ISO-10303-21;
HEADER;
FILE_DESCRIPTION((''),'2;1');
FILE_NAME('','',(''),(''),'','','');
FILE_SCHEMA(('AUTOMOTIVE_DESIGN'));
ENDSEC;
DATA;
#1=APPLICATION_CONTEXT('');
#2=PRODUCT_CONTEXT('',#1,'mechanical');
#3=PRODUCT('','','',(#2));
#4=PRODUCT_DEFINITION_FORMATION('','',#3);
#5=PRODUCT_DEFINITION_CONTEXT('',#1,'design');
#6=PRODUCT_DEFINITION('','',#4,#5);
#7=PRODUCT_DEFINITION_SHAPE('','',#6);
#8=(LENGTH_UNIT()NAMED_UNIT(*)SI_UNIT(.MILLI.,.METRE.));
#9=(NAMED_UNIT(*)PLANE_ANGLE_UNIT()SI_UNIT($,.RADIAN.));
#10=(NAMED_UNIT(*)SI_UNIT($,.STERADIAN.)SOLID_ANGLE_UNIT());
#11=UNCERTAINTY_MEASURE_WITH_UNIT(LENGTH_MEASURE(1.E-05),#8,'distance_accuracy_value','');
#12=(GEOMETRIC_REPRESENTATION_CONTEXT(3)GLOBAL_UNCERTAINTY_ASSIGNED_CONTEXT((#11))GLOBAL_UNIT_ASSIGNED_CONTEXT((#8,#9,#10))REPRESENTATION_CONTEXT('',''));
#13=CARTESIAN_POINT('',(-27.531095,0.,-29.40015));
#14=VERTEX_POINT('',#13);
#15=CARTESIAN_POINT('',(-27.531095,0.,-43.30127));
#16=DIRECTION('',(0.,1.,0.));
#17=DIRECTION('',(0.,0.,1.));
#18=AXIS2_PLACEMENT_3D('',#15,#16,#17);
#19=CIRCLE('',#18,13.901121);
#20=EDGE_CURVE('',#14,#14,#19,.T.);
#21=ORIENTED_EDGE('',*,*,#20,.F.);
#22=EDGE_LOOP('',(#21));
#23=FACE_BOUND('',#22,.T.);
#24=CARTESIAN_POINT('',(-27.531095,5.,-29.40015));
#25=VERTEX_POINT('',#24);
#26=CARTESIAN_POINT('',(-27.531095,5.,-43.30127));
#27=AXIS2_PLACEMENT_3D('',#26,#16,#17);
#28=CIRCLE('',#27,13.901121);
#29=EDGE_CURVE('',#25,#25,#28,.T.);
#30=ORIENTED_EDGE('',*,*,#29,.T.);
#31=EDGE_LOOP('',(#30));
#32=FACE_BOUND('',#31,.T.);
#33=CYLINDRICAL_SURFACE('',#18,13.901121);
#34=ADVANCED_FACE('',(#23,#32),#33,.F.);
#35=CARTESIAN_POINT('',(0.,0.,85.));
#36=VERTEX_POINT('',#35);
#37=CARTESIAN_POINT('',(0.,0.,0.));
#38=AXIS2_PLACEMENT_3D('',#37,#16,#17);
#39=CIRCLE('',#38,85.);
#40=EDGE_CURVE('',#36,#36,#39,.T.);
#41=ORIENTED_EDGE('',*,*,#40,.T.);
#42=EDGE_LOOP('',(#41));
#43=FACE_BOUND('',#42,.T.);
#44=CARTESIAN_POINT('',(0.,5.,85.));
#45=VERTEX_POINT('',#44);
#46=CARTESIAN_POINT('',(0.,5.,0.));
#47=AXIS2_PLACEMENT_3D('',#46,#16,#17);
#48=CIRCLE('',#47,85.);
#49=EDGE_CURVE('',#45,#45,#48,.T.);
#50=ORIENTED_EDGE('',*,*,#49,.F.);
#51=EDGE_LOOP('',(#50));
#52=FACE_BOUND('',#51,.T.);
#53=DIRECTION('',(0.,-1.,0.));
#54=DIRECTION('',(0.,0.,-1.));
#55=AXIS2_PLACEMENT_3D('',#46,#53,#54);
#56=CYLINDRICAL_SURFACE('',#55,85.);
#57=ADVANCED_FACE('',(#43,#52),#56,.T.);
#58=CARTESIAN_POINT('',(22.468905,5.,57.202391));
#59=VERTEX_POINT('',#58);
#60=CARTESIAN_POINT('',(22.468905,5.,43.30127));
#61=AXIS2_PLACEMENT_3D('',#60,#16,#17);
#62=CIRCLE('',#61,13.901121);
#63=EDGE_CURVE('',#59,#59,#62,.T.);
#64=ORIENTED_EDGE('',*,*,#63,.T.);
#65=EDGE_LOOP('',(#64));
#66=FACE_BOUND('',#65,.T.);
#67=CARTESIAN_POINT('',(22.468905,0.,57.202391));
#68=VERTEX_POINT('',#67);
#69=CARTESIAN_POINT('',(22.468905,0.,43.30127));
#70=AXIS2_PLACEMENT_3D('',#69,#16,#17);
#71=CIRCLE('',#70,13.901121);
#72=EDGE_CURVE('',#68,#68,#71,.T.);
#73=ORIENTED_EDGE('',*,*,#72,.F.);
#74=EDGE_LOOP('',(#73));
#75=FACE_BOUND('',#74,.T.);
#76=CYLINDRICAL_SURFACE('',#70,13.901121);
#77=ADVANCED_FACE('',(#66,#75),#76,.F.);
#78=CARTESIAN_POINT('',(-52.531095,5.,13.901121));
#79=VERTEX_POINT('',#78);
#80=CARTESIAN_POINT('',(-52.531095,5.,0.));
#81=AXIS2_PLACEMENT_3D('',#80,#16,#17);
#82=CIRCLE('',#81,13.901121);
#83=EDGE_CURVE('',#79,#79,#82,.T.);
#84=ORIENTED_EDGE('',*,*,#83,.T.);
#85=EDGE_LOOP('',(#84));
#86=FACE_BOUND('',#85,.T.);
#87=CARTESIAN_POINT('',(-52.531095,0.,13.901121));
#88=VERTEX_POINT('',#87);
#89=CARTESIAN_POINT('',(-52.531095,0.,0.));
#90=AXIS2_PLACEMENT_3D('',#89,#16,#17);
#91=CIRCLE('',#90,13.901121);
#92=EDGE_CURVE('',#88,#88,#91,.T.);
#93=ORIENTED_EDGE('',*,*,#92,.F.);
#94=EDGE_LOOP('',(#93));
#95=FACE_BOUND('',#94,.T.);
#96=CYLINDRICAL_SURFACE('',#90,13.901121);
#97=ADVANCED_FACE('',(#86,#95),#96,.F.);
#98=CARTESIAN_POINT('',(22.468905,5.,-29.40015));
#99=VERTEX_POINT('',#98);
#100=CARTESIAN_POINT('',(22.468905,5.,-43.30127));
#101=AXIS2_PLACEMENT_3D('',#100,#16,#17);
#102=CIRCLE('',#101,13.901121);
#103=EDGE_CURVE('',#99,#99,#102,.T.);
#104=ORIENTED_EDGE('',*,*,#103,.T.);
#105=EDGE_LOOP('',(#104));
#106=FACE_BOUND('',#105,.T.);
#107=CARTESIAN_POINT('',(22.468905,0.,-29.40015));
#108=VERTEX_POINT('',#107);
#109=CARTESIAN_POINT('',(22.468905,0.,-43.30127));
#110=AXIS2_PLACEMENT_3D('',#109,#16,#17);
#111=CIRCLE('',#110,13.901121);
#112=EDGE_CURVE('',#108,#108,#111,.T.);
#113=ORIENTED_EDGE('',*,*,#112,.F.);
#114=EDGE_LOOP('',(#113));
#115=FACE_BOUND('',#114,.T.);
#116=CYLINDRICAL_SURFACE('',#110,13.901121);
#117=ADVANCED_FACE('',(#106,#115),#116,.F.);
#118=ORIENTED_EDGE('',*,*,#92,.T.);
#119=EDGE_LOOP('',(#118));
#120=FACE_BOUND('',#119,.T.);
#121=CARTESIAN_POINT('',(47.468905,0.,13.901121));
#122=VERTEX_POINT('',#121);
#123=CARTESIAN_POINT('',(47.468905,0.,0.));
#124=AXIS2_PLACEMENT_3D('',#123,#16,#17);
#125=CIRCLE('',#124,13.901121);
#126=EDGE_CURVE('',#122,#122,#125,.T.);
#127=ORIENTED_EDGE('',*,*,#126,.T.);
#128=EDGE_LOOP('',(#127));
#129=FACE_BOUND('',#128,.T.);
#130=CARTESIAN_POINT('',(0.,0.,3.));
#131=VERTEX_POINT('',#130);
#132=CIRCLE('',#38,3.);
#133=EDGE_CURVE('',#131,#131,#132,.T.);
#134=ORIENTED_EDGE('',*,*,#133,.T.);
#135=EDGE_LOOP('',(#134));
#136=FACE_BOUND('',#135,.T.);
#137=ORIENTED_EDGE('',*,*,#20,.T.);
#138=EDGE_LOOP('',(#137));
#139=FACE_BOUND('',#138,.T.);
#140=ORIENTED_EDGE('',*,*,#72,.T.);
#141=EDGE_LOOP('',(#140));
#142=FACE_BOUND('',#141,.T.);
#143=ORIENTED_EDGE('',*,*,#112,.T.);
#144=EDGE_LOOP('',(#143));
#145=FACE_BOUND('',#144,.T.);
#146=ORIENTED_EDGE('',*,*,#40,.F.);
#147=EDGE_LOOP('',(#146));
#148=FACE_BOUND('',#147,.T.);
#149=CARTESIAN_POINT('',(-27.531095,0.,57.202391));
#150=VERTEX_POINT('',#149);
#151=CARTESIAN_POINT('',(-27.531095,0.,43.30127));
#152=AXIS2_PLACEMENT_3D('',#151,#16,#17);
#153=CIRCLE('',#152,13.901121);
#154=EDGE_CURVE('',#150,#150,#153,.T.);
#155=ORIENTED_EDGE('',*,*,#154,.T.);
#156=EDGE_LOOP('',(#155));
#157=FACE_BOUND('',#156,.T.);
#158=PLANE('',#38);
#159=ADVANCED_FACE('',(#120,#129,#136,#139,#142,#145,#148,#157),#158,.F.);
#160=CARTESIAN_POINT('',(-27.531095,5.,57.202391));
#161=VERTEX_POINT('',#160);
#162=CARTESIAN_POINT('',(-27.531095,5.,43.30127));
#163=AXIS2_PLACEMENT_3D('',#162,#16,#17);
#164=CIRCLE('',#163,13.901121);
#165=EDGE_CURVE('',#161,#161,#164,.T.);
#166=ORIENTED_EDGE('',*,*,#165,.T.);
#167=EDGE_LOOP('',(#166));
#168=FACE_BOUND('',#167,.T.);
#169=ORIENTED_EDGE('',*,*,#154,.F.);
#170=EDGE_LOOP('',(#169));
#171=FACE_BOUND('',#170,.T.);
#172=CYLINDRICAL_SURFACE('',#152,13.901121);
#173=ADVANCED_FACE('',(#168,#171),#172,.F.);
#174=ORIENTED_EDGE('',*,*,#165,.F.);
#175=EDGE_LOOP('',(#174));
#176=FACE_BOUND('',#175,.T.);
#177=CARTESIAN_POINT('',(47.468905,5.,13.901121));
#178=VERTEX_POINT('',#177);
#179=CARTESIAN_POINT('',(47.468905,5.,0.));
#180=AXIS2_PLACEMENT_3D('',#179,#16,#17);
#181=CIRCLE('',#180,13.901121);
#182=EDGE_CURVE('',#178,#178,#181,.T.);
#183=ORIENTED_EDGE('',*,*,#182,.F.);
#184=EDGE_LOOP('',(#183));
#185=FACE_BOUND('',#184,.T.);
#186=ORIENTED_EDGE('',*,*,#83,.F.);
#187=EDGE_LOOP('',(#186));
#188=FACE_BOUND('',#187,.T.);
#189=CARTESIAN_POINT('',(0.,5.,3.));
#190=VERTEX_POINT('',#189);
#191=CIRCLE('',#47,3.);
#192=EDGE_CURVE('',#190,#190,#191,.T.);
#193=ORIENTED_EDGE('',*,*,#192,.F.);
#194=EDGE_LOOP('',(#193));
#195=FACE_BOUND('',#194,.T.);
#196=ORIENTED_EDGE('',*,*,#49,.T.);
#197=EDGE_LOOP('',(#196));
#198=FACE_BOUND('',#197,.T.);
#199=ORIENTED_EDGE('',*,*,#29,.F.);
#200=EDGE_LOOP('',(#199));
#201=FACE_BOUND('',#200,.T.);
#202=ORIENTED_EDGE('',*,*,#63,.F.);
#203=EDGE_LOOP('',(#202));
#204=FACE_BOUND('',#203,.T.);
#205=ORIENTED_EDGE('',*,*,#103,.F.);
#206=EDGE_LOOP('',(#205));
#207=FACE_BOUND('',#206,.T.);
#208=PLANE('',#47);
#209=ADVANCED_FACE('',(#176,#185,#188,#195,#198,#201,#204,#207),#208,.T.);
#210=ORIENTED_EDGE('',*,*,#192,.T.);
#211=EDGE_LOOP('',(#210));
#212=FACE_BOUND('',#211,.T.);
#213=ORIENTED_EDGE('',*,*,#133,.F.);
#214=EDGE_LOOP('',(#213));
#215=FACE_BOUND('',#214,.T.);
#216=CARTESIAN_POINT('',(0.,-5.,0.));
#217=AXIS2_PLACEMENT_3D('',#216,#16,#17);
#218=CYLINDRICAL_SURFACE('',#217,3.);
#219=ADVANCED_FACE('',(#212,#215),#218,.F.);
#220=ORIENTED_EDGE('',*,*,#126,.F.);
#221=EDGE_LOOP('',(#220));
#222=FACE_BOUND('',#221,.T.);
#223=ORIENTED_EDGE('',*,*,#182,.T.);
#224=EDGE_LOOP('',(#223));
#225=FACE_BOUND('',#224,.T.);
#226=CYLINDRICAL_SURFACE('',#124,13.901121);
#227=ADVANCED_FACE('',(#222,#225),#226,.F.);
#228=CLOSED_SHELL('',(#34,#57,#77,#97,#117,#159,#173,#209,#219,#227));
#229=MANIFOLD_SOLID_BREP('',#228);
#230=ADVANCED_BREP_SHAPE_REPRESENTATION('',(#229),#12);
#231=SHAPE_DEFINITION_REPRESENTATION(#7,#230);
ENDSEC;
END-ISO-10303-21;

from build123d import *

# Parameters (mm, degrees)
SKETCH2_R           = 85
BOSS_EXTRUDE1_DEPTH = 5
SKETCH3_R           = 13.901120553
CUT_EXTRUDE1_DEPTH  = 121.312094155
SKETCH4_R           = 3
CUT_EXTRUDE2_DEPTH  = 10


with BuildPart() as part:
    # Sketch2 → Boss-Extrude1 (new body)
    with BuildSketch(Plane(origin=(0, 0, 0), x_dir=(1, 0, 0), z_dir=(0, 1, 0))):
        with Locations(Location((0, 0, 0), (0, 0, 270))):
            Circle(SKETCH2_R)
    extrude(amount=BOSS_EXTRUDE1_DEPTH)

    # Sketch3 → Cut-Extrude1 (cut, through all)
    with BuildSketch(Plane(origin=(0, 5, 0), x_dir=(1, 0, 0), z_dir=(0, 1, 0))):
        with Locations(Location((47.468904606, 0, 0), (0, 0, 270))):
            Circle(SKETCH3_R)
        with Locations(Location((22.468904606, -43.301270189, 0), (0, 0, 270))):
            Circle(SKETCH3_R)
        with Locations(Location((-27.531095394, -43.301270189, 0), (0, 0, 270))):
            Circle(SKETCH3_R)
        with Locations(Location((-52.531095394, 0, 0), (0, 0, 270))):
            Circle(SKETCH3_R)
        with Locations(Location((-27.531095394, 43.301270189, 0), (0, 0, 270))):
            Circle(SKETCH3_R)
        with Locations(Location((22.468904606, 43.301270189, 0), (0, 0, 270))):
            Circle(SKETCH3_R)
    extrude(amount=-CUT_EXTRUDE1_DEPTH, mode=Mode.SUBTRACT)

    # Sketch4 → Cut-Extrude2 (cut)
    with BuildSketch(Plane(origin=(0, 5, 0), x_dir=(1, 0, 0), z_dir=(0, 1, 0))):
        with Locations(Location((0, 0, 0), (0, 0, 270))):
            Circle(SKETCH4_R)
    extrude(amount=-CUT_EXTRUDE2_DEPTH, mode=Mode.SUBTRACT)


solid = part.part
